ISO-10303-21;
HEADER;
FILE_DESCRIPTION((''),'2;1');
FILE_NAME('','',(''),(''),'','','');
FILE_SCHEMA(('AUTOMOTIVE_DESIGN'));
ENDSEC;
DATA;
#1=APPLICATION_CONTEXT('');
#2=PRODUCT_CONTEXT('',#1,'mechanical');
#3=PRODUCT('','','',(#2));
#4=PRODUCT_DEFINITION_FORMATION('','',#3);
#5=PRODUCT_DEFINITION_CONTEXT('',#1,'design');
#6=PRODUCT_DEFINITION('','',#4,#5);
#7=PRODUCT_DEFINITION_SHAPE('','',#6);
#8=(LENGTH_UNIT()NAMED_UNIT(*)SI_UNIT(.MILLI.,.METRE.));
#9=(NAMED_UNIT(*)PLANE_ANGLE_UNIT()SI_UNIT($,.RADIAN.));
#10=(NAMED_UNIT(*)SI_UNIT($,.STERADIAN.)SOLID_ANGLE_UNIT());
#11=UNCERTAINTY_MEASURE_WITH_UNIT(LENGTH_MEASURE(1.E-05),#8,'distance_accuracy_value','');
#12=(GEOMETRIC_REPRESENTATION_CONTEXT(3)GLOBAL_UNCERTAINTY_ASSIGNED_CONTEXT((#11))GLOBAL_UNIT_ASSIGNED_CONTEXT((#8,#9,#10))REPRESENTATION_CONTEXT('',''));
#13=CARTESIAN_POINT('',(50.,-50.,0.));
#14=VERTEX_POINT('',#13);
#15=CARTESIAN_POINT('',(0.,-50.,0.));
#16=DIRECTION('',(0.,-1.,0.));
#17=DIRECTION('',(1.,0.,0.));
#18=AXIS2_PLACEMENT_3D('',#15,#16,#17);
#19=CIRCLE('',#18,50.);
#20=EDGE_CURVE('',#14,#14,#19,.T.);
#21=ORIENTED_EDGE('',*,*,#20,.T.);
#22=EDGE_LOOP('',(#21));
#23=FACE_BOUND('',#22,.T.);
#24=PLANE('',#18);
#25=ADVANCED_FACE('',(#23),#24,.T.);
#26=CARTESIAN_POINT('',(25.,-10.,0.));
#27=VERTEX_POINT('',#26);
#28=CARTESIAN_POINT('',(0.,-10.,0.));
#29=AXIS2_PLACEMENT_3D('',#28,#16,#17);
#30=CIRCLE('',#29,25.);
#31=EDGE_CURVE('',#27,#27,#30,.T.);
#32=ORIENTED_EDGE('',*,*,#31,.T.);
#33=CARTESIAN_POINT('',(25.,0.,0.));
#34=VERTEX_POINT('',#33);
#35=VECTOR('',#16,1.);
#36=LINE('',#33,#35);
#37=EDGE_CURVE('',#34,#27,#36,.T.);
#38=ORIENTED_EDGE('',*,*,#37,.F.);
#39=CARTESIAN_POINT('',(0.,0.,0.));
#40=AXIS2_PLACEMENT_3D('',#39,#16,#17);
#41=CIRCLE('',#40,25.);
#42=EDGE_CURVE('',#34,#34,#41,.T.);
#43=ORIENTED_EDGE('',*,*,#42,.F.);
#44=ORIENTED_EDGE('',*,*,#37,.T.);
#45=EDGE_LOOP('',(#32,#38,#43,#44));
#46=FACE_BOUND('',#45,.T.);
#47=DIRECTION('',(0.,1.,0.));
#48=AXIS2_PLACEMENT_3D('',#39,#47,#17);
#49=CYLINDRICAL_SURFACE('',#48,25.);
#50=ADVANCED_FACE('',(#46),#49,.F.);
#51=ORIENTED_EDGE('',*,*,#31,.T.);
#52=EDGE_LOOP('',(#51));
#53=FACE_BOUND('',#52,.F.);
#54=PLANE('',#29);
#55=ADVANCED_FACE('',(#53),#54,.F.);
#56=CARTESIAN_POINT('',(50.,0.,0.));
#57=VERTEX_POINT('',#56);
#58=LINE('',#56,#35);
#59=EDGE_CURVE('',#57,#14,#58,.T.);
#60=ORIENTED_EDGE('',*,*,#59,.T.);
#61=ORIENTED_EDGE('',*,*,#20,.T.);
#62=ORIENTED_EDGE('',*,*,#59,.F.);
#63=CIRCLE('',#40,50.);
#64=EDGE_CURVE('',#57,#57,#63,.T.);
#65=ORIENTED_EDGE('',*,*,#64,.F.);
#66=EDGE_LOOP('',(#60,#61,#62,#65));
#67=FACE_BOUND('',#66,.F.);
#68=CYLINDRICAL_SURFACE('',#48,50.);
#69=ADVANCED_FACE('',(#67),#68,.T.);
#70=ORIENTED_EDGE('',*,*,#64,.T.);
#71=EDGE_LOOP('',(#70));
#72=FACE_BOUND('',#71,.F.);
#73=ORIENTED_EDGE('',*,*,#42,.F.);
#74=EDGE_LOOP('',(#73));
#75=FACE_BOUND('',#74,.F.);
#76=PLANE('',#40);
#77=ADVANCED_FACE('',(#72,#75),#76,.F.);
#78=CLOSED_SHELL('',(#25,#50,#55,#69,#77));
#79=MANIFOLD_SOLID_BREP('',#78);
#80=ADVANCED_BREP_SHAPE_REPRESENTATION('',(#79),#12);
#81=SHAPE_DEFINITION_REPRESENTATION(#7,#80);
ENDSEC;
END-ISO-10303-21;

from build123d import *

# Parameters (mm, degrees)
F0_R     = 50
F1_DEPTH = 50
F2_R     = 25
F3_DEPTH = 10


with BuildPart() as f1:
    # F0 (on Front) → F1 (new body)
    with BuildSketch(Plane.XZ):
        Circle(F0_R)
        with BuildLine():
            ThreePointArc((0, 25), (17.67767, 17.67767), (25, 0))
            ThreePointArc((25, 0), (-17.67767, -17.67767), (0, 25))
        make_face(mode=Mode.SUBTRACT)
        with BuildLine():
            ThreePointArc((0, 25), (-17.67767, -17.67767), (25, 0))
            ThreePointArc((25, 0), (17.67767, 17.67767), (0, 25))
        make_face()
    extrude(amount=F1_DEPTH)

    # F2 (on Front) → F3 (cut)
    with BuildSketch(Plane.XZ):
        Circle(F2_R)
    extrude(amount=F3_DEPTH, mode=Mode.SUBTRACT)


solid = f1.part
